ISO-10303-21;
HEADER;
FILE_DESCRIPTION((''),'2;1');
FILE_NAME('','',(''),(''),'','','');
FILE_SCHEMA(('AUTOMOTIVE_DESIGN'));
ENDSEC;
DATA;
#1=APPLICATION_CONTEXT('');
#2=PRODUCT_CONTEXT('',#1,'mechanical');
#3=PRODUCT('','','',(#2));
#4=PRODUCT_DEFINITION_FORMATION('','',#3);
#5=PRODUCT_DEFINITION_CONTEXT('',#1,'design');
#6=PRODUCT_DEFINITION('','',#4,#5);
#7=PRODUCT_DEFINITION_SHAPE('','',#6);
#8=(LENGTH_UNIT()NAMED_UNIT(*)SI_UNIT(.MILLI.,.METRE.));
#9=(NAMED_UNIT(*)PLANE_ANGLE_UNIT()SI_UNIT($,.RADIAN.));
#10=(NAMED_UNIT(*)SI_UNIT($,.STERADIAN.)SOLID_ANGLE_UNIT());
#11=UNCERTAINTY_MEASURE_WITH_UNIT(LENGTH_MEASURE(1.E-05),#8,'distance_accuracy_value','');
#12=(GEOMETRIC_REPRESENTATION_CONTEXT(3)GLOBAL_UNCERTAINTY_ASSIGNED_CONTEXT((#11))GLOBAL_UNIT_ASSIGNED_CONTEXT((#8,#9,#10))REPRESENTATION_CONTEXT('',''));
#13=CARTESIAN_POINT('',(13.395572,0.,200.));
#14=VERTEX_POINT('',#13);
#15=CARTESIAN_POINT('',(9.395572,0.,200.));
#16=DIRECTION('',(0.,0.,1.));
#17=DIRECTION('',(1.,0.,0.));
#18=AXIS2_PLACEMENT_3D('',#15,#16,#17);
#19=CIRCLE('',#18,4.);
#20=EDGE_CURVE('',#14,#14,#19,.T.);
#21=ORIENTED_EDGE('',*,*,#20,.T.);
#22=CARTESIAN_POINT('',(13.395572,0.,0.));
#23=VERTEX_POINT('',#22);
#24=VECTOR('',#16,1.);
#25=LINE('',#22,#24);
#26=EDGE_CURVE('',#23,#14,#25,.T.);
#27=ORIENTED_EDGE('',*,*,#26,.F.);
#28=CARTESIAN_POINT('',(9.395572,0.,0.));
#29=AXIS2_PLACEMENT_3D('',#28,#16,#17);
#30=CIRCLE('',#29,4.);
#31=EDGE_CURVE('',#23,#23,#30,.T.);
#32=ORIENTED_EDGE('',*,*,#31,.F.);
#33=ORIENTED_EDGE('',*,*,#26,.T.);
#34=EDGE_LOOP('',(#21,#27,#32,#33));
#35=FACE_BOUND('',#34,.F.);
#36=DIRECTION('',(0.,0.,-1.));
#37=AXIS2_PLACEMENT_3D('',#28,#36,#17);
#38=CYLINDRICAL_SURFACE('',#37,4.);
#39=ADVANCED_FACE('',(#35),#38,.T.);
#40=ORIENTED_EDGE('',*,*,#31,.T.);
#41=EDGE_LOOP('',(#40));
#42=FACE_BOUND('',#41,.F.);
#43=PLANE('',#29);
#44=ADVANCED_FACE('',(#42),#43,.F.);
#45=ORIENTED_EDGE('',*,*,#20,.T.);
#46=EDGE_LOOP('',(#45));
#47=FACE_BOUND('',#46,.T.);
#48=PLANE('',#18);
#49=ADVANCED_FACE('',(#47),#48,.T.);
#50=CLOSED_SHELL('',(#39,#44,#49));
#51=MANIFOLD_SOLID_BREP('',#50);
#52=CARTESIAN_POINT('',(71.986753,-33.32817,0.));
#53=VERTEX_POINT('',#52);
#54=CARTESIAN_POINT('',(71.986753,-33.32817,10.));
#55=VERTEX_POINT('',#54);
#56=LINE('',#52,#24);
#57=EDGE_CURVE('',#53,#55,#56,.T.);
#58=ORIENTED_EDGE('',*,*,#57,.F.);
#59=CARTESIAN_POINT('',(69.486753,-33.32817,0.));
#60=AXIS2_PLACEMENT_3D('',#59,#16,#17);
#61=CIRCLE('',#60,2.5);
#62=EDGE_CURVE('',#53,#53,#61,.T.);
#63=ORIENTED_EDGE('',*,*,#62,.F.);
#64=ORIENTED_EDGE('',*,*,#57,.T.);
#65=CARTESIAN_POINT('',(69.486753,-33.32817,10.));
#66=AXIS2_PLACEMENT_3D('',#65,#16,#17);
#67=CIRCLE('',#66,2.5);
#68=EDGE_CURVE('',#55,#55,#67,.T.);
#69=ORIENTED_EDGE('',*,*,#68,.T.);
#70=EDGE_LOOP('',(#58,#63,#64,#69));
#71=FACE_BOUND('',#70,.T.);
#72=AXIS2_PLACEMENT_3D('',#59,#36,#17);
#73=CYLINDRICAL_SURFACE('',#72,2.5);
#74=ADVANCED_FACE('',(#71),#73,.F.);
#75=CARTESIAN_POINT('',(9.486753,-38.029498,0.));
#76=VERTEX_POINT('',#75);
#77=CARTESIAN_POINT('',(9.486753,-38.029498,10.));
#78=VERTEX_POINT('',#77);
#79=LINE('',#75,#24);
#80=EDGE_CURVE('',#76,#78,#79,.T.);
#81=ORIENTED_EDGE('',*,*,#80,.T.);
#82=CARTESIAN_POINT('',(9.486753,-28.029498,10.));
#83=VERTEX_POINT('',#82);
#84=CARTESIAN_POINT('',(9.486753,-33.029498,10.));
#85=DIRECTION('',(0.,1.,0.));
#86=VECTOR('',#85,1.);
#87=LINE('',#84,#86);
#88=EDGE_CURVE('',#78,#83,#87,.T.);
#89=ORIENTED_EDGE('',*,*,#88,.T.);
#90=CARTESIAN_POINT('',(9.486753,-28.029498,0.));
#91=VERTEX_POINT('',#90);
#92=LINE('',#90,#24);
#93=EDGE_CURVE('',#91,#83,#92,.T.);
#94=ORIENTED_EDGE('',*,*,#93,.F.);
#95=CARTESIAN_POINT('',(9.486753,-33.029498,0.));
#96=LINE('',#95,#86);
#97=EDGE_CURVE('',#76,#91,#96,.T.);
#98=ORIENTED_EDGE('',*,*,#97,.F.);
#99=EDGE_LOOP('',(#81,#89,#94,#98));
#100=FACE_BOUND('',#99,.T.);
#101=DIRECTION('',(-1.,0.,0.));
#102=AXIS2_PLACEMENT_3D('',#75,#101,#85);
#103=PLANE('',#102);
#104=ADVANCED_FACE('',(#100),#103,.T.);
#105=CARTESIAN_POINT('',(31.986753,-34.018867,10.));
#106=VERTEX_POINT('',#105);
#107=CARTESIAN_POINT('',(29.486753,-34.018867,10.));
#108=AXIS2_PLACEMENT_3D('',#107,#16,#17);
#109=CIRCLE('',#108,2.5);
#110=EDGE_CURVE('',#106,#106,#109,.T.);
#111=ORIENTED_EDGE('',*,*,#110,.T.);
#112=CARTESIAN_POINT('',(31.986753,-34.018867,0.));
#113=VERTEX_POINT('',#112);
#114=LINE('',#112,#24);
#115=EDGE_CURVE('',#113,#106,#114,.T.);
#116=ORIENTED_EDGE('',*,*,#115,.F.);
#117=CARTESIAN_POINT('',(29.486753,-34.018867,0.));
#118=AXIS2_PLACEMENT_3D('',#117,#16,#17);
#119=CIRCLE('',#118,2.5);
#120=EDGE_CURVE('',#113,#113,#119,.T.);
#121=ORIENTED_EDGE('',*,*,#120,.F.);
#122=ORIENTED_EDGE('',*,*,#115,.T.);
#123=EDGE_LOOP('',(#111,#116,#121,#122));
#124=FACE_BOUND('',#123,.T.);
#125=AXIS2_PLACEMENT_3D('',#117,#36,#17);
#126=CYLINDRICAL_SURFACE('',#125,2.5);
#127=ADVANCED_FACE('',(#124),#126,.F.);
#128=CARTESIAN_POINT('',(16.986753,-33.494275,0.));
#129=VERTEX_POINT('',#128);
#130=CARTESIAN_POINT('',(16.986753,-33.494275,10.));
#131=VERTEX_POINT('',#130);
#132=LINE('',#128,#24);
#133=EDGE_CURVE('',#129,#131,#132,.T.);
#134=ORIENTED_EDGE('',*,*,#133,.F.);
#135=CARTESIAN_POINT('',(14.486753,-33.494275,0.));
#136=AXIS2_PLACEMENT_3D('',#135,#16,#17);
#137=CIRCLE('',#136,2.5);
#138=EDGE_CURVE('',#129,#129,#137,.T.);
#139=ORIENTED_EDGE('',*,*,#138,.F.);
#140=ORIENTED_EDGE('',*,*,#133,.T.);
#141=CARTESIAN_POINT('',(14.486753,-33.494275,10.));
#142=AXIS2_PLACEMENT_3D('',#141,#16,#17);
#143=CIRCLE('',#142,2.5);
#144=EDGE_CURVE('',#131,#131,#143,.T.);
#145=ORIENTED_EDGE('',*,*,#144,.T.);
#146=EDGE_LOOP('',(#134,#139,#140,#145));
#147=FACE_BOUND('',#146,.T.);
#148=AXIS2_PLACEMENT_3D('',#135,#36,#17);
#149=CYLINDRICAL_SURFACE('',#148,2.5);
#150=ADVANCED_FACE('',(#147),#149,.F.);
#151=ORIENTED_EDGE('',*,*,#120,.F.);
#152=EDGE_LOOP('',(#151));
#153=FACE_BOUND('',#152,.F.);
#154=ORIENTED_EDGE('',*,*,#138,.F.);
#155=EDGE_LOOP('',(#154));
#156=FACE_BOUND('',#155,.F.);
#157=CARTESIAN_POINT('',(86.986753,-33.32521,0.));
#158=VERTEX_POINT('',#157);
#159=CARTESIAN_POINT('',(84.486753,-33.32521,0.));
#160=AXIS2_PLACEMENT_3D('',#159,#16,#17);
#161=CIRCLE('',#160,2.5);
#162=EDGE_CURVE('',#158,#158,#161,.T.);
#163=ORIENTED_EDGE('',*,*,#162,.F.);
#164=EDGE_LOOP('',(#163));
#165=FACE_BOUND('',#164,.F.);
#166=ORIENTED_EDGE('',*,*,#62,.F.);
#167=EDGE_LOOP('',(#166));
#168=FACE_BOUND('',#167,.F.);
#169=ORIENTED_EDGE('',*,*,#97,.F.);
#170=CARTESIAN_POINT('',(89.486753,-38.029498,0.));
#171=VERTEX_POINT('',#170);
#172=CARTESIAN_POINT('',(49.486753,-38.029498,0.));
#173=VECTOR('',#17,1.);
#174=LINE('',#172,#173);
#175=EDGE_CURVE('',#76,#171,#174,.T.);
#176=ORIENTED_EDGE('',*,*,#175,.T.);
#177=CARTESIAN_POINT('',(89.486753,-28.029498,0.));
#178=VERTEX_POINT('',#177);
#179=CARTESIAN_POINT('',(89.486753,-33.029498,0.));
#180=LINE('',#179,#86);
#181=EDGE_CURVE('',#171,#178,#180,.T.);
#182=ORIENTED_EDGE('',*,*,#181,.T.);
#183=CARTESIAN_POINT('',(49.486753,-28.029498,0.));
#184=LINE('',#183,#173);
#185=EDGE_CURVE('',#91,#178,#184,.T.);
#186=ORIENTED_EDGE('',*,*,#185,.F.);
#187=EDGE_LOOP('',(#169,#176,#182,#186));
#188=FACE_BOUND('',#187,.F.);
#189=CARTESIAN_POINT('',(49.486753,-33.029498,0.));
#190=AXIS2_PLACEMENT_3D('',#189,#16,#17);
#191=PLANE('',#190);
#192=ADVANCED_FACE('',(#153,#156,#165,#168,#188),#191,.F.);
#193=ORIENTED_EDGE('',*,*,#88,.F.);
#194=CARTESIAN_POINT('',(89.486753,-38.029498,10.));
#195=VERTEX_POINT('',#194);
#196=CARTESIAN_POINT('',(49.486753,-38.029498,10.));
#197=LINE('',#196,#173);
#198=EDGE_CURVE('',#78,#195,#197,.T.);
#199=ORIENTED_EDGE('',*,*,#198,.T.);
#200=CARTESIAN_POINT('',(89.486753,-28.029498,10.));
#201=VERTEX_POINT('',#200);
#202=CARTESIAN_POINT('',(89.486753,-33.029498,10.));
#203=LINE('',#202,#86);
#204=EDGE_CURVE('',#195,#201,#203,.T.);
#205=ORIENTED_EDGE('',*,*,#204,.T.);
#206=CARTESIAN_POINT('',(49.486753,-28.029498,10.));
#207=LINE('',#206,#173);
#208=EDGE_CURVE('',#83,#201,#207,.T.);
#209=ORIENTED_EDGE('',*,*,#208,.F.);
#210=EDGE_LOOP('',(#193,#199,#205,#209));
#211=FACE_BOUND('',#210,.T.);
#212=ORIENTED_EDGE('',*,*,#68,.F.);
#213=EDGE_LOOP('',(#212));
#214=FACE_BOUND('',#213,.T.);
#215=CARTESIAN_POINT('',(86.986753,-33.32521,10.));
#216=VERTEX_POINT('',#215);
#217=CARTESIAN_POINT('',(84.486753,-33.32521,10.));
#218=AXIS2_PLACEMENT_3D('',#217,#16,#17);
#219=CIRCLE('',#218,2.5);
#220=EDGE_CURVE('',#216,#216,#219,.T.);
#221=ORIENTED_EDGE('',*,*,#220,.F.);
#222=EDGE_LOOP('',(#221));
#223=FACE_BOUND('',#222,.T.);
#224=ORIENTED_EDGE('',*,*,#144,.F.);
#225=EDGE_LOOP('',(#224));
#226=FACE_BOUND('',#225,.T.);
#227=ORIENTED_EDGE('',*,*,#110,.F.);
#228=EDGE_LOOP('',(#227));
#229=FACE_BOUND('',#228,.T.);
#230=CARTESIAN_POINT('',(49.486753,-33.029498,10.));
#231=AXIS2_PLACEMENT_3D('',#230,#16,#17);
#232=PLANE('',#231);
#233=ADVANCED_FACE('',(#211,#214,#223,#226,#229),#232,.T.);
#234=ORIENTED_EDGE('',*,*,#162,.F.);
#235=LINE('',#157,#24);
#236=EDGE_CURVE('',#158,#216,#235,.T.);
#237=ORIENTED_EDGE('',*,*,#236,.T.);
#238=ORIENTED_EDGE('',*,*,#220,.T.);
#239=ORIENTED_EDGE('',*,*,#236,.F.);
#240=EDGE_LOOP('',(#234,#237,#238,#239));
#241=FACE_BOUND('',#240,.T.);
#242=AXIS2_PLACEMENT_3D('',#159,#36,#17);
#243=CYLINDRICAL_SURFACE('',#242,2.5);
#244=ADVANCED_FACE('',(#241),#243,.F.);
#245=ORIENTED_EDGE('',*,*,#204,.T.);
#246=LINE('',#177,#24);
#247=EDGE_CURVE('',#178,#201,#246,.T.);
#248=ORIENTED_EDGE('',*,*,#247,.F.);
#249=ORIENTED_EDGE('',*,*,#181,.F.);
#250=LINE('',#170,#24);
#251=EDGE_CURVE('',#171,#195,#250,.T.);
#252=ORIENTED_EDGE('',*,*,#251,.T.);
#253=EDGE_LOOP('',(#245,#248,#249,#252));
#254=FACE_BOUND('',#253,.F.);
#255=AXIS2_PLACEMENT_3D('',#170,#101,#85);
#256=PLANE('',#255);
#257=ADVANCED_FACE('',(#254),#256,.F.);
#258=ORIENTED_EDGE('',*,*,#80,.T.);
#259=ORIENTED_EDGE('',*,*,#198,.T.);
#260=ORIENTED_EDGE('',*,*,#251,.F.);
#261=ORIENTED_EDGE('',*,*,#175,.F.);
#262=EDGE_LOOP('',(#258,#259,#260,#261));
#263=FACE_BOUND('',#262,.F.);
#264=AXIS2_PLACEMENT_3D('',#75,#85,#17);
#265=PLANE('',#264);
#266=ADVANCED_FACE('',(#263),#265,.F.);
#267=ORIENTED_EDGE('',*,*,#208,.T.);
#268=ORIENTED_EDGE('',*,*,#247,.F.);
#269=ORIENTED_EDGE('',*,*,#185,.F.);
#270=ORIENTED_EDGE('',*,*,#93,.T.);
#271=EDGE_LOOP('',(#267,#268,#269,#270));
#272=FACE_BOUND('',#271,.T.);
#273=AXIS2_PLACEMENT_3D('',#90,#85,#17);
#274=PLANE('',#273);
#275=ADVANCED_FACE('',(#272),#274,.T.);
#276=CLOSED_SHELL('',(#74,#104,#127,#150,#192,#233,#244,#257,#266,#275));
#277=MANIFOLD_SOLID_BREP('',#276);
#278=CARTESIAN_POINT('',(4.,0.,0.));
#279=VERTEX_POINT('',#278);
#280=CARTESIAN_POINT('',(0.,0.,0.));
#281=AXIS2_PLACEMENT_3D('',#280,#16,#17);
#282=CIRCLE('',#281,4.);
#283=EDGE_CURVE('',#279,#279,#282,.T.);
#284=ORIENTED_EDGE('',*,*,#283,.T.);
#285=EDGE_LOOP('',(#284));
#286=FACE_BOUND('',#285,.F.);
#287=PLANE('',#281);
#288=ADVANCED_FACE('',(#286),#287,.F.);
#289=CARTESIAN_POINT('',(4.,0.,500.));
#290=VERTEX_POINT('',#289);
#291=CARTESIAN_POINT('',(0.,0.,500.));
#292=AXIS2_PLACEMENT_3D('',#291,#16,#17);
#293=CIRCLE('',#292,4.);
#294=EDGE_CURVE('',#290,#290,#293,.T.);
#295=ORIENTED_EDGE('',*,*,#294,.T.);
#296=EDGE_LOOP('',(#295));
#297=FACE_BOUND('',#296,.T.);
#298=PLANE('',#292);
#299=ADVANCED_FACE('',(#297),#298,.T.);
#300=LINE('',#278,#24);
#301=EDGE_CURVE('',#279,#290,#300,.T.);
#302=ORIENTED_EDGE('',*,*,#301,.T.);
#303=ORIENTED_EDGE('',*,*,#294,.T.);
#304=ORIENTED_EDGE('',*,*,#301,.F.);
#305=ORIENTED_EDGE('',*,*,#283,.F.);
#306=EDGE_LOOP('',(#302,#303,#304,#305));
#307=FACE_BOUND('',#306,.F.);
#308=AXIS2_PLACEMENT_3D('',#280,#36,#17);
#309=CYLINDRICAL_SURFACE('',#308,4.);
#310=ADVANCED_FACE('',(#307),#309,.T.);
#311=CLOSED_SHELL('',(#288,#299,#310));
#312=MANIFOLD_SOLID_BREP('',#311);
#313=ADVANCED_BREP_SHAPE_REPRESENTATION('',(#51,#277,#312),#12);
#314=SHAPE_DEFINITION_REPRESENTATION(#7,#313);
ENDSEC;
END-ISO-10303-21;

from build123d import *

# Parameters (mm, degrees)
F0_R     = 4
F1_DEPTH = 500
F2_R     = 4
F3_DEPTH = 200
F4_W     = 80
F4_H     = 10
F4_R     = 2.5
F5_DEPTH = 10


with BuildPart() as f1:
    # F0 (on Top) → F1 (new body)
    with BuildSketch(Plane.XY):
        Circle(F0_R)
    extrude(amount=F1_DEPTH)


with BuildPart() as f3:
    # F2 (on Top) → F3 (new body)
    with BuildSketch(Plane.XY):
        with Locations((9.395572, 0)):
            Circle(F2_R)
    extrude(amount=F3_DEPTH)


with BuildPart() as f5:
    # F4 (on Top) → F5 (new body)
    with BuildSketch(Plane.XY):
        with Locations((49.486753, -33.029498)):
            Rectangle(F4_W, F4_H)
        with Locations((14.486753, -33.494275)):
            Circle(F4_R, mode=Mode.SUBTRACT)
        with Locations((29.486753, -34.018867)):
            Circle(F4_R, mode=Mode.SUBTRACT)
        with Locations((69.486753, -33.32817)):
            Circle(F4_R, mode=Mode.SUBTRACT)
        with Locations((84.486753, -33.32521)):
            Circle(F4_R, mode=Mode.SUBTRACT)
    extrude(amount=F5_DEPTH)


solid = Compound([f1.part, f3.part, f5.part])
